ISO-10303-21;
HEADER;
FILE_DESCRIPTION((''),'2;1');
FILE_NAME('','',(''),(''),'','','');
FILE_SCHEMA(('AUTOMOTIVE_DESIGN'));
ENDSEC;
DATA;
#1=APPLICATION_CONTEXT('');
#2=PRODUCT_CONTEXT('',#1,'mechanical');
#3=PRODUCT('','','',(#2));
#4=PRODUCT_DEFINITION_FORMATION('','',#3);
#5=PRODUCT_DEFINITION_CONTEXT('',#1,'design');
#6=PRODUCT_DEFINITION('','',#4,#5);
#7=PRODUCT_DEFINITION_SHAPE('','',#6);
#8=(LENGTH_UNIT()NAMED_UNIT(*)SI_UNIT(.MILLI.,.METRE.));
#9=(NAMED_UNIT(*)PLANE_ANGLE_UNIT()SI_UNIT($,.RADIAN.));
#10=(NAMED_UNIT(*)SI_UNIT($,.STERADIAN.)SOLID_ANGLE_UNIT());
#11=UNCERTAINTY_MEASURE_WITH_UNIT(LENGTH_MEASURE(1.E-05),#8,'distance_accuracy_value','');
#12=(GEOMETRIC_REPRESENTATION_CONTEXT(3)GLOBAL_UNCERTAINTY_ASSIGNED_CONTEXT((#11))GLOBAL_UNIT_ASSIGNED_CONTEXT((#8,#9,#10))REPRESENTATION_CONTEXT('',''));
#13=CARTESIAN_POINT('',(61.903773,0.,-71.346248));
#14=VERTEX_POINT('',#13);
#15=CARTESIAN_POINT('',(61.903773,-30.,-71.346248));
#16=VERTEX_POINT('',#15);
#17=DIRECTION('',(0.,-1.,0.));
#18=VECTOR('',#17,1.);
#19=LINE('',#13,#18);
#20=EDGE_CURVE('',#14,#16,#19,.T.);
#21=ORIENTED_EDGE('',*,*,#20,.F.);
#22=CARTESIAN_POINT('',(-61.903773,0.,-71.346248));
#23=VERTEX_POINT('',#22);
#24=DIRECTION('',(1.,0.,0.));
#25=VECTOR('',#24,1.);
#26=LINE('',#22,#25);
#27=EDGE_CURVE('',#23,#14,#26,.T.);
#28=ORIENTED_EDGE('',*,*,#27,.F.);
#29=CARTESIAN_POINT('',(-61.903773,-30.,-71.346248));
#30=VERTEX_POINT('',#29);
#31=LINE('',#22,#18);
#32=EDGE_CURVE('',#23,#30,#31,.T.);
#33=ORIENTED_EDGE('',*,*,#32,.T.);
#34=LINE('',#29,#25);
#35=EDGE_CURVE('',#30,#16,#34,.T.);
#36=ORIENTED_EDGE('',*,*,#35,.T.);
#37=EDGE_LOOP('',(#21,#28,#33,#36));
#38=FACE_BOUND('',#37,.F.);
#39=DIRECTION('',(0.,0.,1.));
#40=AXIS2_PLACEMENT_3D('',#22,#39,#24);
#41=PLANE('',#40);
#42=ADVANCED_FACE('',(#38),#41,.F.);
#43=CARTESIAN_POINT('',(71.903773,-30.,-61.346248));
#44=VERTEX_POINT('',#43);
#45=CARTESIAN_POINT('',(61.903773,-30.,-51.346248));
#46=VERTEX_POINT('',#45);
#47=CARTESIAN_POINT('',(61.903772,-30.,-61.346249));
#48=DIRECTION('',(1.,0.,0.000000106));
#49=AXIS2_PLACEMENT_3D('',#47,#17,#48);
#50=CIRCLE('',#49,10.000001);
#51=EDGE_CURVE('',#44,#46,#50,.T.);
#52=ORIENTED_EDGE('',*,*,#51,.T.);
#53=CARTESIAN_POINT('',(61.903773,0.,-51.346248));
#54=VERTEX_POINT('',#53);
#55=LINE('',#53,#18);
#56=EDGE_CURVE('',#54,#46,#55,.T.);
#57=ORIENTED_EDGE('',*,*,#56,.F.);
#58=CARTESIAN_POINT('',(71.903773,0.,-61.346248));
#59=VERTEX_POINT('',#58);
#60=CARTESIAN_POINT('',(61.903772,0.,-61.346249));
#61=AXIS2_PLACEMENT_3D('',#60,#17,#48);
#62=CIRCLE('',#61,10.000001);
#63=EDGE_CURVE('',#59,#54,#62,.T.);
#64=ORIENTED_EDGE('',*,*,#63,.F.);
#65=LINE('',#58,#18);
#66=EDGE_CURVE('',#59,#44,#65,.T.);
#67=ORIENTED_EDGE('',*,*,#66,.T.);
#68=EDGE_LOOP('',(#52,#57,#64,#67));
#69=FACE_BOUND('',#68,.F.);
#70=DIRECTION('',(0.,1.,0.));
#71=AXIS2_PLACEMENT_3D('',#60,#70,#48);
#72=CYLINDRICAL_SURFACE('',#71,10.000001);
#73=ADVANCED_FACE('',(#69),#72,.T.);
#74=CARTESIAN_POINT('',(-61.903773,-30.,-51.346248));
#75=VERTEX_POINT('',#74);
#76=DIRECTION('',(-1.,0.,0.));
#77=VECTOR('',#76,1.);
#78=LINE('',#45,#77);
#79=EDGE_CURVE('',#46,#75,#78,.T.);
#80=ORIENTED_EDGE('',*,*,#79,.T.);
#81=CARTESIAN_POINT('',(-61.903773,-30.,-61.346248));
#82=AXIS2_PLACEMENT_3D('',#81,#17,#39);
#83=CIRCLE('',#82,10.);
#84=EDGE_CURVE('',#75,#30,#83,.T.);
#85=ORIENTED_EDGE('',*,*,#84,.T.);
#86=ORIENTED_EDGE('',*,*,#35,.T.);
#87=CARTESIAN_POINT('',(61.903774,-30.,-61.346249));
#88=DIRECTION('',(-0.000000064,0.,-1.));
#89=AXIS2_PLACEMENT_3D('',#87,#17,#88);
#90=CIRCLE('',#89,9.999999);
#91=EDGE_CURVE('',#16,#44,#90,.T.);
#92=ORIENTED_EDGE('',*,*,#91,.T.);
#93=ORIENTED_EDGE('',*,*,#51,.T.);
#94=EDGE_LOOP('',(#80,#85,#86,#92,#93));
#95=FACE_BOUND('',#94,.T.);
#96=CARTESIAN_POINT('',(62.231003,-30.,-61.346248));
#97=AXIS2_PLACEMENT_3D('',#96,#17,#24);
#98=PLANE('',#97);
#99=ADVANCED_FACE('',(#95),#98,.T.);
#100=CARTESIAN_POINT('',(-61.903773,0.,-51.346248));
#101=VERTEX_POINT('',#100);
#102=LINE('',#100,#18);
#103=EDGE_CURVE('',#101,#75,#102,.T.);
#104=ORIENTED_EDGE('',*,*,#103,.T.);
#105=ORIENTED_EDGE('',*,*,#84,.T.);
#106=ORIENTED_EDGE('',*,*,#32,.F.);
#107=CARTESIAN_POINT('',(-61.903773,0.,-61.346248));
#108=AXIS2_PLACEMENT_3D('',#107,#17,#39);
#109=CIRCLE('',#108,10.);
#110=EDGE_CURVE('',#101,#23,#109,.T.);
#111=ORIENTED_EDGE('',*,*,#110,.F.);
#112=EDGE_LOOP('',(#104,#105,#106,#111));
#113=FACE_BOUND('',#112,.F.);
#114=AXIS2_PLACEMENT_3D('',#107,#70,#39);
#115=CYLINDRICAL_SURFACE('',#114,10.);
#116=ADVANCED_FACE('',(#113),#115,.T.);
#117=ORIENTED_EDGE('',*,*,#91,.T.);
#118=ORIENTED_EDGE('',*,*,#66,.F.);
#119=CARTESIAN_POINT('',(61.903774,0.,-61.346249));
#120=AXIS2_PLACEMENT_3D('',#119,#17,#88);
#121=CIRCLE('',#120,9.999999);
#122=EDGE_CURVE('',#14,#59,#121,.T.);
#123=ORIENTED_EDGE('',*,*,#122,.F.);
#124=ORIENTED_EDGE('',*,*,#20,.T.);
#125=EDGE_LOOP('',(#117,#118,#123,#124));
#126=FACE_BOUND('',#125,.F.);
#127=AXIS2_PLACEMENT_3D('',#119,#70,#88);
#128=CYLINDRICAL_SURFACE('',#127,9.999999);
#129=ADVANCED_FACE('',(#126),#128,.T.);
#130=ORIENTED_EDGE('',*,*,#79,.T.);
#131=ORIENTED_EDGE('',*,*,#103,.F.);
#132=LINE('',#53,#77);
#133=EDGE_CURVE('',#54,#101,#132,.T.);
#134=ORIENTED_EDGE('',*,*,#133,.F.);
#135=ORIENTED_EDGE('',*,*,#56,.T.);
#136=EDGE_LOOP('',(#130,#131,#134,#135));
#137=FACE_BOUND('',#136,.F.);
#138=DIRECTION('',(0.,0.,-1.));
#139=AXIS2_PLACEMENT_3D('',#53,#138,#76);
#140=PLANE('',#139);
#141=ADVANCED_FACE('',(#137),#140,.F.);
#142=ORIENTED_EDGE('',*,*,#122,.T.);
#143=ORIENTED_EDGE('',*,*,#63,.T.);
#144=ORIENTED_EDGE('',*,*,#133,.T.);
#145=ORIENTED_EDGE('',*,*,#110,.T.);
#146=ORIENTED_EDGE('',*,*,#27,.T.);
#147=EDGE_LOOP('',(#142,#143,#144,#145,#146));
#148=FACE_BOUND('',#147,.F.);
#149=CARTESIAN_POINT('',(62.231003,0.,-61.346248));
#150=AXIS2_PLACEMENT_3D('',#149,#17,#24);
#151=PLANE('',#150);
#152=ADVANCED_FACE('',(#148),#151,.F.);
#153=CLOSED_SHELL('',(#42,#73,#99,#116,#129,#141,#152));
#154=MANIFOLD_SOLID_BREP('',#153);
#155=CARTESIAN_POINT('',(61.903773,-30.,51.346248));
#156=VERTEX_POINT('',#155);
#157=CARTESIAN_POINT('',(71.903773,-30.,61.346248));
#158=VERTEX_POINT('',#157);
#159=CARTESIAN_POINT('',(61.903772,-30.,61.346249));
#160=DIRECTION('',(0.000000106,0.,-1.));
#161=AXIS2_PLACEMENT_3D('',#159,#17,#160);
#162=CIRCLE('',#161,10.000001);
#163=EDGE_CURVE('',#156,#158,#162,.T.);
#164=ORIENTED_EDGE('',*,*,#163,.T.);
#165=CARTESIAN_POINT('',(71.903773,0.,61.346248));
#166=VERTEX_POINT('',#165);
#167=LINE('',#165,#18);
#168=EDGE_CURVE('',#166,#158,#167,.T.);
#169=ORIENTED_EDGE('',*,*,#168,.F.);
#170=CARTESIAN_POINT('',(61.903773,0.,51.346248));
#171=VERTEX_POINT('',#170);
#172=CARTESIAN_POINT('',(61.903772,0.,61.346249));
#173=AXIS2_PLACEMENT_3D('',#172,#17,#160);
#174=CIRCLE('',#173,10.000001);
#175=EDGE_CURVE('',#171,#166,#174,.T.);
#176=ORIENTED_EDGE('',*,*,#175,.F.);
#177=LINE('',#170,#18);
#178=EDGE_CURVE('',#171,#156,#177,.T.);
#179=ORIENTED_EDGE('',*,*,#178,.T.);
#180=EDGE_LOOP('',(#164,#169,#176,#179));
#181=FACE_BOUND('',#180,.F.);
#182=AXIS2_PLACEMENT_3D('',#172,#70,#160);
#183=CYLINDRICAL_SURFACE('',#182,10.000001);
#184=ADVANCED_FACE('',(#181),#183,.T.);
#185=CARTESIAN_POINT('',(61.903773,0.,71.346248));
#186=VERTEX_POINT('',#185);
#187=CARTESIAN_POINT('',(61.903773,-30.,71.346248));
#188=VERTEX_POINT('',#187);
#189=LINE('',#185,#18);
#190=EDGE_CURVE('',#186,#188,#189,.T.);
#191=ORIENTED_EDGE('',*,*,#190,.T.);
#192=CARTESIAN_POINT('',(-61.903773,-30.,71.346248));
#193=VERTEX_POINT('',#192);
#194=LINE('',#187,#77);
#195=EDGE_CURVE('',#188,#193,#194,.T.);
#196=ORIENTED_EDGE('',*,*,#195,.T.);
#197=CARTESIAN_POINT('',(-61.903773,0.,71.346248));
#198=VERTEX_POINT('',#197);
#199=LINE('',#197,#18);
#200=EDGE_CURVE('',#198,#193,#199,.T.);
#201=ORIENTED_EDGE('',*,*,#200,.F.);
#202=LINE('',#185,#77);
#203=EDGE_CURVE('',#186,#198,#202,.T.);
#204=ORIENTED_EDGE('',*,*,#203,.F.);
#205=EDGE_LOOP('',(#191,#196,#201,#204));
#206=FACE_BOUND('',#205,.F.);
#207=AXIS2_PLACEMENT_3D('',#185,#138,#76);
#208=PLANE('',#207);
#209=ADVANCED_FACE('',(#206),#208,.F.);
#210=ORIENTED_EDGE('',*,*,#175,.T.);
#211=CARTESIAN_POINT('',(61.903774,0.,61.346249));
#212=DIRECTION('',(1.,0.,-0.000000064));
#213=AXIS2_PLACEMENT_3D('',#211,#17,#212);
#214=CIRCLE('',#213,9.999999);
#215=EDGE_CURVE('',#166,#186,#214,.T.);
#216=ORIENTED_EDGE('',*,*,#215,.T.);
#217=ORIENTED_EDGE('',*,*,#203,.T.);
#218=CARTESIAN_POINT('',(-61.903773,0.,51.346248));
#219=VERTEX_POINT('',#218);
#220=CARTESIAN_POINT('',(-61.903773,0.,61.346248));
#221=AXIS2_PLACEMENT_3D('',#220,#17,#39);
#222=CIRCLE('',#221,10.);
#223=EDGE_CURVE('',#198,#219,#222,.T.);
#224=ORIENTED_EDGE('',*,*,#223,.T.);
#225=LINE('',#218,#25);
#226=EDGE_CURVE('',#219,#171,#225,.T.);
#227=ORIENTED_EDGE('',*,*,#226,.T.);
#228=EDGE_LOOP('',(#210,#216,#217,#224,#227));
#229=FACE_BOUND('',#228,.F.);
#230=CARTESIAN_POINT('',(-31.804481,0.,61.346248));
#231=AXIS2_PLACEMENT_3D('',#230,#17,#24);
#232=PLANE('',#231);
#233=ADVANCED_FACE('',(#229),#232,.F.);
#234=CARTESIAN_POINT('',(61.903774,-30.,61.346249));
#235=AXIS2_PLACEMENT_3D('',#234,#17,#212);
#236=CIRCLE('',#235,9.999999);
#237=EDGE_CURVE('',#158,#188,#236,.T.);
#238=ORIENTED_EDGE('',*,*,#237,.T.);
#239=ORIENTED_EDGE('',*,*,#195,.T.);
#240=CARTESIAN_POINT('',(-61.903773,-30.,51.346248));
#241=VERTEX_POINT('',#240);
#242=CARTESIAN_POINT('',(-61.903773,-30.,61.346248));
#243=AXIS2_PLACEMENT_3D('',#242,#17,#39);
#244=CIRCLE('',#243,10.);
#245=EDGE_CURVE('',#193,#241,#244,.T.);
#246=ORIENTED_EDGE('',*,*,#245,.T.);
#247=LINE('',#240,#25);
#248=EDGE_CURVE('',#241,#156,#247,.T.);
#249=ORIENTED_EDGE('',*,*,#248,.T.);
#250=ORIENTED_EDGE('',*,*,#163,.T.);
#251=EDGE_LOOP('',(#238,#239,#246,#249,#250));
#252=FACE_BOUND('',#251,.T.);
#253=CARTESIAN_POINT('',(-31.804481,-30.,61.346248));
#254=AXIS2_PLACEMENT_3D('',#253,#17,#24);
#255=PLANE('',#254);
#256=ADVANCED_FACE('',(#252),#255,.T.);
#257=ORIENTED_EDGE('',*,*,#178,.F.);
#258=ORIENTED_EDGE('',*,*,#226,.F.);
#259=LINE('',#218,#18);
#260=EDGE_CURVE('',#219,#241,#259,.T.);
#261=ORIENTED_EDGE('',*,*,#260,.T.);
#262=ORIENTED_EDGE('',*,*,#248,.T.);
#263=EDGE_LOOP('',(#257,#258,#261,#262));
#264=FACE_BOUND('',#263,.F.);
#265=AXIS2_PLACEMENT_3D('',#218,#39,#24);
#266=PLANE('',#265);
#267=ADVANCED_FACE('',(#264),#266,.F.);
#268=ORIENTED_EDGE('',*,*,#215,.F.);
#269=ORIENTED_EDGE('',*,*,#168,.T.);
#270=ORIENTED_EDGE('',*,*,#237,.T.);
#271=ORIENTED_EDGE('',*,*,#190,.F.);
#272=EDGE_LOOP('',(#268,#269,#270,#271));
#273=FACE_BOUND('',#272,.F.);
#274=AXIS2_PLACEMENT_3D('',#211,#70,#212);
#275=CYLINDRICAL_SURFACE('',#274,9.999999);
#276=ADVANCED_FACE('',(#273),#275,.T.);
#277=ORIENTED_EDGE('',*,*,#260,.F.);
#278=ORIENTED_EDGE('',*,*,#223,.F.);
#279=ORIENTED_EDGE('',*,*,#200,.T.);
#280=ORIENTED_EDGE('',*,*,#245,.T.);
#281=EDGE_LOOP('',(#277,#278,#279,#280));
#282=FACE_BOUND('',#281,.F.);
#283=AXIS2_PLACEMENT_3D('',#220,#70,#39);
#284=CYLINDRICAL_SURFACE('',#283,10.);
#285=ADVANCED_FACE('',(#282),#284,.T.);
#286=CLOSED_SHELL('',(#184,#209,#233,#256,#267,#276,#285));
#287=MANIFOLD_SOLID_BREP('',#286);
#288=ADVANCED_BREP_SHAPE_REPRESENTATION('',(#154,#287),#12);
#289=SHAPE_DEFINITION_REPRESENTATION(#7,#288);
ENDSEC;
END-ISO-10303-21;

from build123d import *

# Parameters (mm, degrees)
F1_DEPTH = 30


with BuildPart() as f1:
    # F0 (on Front) → F1 (new body)
    with BuildSketch(Plane.XZ):
        with BuildLine():
            ThreePointArc((-61.903773, 71.346248), (-54.832705, 68.417316), (-51.903773, 61.346248))
            ThreePointArc((-51.903773, 61.346248), (-54.832705, 54.275181), (-61.903773, 51.346248))
            Line((-61.903773, 51.346248), (0, 51.346248))
            Line((0, 51.346248), (0, 71.346248))
            Line((0, 71.346248), (-61.903773, 71.346248))
        make_face()
        with BuildLine():
            Line((61.903773, 71.346248), (0, 71.346248))
            Line((0, 71.346248), (0, 51.346248))
            Line((0, 51.346248), (61.903773, 51.346248))
            ThreePointArc((61.903773, 51.346248), (51.903773, 61.346248), (61.903773, 71.346248))
        make_face()
        with BuildLine():
            ThreePointArc((-61.903773, 51.346248), (-54.832705, 54.275181), (-51.903773, 61.346248))
            ThreePointArc((-51.903773, 61.346248), (-54.832705, 68.417316), (-61.903773, 71.346248))
            ThreePointArc((-61.903773, 71.346248), (-71.903773, 61.346248), (-61.903773, 51.346248))
        make_face()
        with BuildLine():
            ThreePointArc((71.903773, 61.346248), (68.974841, 68.417316), (61.903773, 71.346248))
            ThreePointArc((61.903773, 71.346248), (51.903773, 61.346248), (61.903773, 51.346248))
            ThreePointArc((61.903773, 51.346248), (68.974841, 54.275181), (71.903773, 61.346248))
        make_face()
        with BuildLine():
            ThreePointArc((71.903773, -61.346248), (68.974841, -54.275181), (61.903773, -51.346248))
            ThreePointArc((61.903773, -51.346248), (51.903773, -61.346248), (61.903773, -71.346248))
            ThreePointArc((61.903773, -71.346248), (68.974841, -68.417316), (71.903773, -61.346248))
        make_face()
        with BuildLine():
            ThreePointArc((-61.903773, -71.346248), (-54.832705, -68.417316), (-51.903773, -61.346248))
            ThreePointArc((-51.903773, -61.346248), (-54.832705, -54.275181), (-61.903773, -51.346248))
            ThreePointArc((-61.903773, -51.346248), (-71.903773, -61.346248), (-61.903773, -71.346248))
        make_face()
        with BuildLine():
            ThreePointArc((-61.903773, -51.346248), (-54.832705, -54.275181), (-51.903773, -61.346248))
            ThreePointArc((-51.903773, -61.346248), (-54.832705, -68.417316), (-61.903773, -71.346248))
            Line((-61.903773, -71.346248), (0, -71.346248))
            Line((0, -71.346248), (61.903773, -71.346248))
            ThreePointArc((61.903773, -71.346248), (51.903773, -61.346248), (61.903773, -51.346248))
            Line((61.903773, -51.346248), (0, -51.346248))
            Line((0, -51.346248), (-61.903773, -51.346248))
        make_face()
    extrude(amount=F1_DEPTH)


solid = f1.part
